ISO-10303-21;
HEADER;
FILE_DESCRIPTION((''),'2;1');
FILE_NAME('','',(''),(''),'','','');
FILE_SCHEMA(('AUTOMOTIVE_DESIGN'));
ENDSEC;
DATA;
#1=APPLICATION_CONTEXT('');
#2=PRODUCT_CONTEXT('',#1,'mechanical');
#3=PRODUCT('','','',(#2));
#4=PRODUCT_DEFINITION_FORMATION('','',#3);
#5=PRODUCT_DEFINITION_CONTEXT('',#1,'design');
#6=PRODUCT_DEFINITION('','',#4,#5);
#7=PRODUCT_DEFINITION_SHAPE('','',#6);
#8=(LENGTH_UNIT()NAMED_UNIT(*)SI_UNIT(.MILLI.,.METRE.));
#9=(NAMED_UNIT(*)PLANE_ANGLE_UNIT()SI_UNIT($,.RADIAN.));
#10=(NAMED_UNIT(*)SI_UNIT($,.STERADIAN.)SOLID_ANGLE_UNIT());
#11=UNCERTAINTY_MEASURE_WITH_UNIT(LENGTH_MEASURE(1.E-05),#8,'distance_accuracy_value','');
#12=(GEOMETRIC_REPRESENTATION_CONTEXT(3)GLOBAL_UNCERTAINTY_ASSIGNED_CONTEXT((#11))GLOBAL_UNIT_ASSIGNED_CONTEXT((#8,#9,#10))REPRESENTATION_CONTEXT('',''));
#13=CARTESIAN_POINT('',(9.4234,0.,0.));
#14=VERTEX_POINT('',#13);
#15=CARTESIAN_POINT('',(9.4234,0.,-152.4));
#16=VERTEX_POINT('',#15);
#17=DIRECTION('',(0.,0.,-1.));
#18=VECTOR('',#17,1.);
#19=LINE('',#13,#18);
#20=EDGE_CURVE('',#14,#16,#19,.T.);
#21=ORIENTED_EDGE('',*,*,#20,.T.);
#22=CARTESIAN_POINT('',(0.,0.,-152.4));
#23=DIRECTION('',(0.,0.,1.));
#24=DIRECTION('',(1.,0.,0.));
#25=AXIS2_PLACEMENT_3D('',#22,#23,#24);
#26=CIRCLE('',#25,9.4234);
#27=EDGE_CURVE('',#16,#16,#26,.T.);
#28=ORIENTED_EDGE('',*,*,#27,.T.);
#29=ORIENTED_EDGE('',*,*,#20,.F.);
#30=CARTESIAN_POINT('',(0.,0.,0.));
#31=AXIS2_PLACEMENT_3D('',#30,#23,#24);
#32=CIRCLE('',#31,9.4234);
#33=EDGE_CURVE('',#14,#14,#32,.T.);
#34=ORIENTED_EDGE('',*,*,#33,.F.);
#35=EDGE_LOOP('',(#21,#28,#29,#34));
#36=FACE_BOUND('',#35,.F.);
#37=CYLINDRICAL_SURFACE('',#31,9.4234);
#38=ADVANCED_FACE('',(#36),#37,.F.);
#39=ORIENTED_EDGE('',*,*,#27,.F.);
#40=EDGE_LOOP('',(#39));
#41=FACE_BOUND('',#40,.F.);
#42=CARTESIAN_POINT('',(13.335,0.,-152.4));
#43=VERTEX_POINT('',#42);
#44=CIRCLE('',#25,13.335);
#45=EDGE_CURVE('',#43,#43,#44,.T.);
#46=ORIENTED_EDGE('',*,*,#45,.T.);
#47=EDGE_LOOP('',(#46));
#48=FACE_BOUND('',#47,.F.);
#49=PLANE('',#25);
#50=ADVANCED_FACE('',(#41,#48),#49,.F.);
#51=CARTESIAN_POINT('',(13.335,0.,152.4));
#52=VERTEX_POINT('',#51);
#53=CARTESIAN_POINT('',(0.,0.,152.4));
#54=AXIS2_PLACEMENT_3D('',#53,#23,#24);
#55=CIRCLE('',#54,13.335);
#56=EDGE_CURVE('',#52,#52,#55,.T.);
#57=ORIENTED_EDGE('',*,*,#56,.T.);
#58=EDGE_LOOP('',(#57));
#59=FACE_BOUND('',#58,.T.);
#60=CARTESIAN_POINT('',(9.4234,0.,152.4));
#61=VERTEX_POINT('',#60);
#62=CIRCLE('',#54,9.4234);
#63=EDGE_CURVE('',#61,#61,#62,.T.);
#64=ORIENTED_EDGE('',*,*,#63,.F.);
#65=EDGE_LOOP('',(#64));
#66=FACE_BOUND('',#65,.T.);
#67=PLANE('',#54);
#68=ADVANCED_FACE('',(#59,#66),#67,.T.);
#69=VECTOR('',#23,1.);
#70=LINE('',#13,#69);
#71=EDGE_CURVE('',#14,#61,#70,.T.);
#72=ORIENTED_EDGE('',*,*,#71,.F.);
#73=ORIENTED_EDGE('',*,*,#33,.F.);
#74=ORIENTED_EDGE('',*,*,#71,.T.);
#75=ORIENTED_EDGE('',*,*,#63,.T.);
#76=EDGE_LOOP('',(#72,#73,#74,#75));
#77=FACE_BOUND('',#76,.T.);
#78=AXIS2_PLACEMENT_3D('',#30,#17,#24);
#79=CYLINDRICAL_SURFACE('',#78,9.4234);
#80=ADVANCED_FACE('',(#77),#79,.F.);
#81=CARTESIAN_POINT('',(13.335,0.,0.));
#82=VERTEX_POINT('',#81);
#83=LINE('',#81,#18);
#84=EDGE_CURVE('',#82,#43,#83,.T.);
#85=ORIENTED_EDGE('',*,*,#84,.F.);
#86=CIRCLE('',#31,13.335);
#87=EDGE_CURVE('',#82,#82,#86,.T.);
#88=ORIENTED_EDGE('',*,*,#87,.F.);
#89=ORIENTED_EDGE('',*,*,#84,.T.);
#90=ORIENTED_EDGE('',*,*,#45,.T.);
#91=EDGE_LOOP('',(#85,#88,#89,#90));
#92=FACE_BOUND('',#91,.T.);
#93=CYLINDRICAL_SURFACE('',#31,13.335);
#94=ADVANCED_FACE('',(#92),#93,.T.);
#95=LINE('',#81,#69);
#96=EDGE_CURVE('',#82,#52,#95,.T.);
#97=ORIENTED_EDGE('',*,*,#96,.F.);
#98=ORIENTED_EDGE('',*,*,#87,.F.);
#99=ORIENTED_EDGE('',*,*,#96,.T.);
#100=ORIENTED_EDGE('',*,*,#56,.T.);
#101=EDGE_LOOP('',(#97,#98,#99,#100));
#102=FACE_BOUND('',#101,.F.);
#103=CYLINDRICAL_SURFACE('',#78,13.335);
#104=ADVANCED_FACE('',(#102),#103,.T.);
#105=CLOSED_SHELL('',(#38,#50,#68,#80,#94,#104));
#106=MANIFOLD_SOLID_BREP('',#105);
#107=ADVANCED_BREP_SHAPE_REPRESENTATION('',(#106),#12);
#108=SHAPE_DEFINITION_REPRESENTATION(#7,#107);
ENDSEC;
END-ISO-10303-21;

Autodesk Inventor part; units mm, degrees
ref_plane "YZ Plane" through (0, 0, 0) normal (1, 0, 0) x (0, 1, 0)
ref_plane "XZ Plane" through (0, 0, 0) normal (0, 1, 0) x (-1, 0, 0)
ref_plane "XY Plane" through (0, 0, 0) normal (0, 0, 1) x (1, 0, 0)
sketch "Sketch1" plane through (0, 0, 0) normal (0, 0, 1) x (1, 0, 0)
  circle A0 centre (0, 0) radius 13.335
  circle A1 centre (0, 0) radius 9.4234
  dimension "d0" = 26.67
  dimension "d1" = 18.8468
extrude "Extrusion1" add sketch "Sketch1" along normal mid plane 304.8
properties part number ".75in PVC"
